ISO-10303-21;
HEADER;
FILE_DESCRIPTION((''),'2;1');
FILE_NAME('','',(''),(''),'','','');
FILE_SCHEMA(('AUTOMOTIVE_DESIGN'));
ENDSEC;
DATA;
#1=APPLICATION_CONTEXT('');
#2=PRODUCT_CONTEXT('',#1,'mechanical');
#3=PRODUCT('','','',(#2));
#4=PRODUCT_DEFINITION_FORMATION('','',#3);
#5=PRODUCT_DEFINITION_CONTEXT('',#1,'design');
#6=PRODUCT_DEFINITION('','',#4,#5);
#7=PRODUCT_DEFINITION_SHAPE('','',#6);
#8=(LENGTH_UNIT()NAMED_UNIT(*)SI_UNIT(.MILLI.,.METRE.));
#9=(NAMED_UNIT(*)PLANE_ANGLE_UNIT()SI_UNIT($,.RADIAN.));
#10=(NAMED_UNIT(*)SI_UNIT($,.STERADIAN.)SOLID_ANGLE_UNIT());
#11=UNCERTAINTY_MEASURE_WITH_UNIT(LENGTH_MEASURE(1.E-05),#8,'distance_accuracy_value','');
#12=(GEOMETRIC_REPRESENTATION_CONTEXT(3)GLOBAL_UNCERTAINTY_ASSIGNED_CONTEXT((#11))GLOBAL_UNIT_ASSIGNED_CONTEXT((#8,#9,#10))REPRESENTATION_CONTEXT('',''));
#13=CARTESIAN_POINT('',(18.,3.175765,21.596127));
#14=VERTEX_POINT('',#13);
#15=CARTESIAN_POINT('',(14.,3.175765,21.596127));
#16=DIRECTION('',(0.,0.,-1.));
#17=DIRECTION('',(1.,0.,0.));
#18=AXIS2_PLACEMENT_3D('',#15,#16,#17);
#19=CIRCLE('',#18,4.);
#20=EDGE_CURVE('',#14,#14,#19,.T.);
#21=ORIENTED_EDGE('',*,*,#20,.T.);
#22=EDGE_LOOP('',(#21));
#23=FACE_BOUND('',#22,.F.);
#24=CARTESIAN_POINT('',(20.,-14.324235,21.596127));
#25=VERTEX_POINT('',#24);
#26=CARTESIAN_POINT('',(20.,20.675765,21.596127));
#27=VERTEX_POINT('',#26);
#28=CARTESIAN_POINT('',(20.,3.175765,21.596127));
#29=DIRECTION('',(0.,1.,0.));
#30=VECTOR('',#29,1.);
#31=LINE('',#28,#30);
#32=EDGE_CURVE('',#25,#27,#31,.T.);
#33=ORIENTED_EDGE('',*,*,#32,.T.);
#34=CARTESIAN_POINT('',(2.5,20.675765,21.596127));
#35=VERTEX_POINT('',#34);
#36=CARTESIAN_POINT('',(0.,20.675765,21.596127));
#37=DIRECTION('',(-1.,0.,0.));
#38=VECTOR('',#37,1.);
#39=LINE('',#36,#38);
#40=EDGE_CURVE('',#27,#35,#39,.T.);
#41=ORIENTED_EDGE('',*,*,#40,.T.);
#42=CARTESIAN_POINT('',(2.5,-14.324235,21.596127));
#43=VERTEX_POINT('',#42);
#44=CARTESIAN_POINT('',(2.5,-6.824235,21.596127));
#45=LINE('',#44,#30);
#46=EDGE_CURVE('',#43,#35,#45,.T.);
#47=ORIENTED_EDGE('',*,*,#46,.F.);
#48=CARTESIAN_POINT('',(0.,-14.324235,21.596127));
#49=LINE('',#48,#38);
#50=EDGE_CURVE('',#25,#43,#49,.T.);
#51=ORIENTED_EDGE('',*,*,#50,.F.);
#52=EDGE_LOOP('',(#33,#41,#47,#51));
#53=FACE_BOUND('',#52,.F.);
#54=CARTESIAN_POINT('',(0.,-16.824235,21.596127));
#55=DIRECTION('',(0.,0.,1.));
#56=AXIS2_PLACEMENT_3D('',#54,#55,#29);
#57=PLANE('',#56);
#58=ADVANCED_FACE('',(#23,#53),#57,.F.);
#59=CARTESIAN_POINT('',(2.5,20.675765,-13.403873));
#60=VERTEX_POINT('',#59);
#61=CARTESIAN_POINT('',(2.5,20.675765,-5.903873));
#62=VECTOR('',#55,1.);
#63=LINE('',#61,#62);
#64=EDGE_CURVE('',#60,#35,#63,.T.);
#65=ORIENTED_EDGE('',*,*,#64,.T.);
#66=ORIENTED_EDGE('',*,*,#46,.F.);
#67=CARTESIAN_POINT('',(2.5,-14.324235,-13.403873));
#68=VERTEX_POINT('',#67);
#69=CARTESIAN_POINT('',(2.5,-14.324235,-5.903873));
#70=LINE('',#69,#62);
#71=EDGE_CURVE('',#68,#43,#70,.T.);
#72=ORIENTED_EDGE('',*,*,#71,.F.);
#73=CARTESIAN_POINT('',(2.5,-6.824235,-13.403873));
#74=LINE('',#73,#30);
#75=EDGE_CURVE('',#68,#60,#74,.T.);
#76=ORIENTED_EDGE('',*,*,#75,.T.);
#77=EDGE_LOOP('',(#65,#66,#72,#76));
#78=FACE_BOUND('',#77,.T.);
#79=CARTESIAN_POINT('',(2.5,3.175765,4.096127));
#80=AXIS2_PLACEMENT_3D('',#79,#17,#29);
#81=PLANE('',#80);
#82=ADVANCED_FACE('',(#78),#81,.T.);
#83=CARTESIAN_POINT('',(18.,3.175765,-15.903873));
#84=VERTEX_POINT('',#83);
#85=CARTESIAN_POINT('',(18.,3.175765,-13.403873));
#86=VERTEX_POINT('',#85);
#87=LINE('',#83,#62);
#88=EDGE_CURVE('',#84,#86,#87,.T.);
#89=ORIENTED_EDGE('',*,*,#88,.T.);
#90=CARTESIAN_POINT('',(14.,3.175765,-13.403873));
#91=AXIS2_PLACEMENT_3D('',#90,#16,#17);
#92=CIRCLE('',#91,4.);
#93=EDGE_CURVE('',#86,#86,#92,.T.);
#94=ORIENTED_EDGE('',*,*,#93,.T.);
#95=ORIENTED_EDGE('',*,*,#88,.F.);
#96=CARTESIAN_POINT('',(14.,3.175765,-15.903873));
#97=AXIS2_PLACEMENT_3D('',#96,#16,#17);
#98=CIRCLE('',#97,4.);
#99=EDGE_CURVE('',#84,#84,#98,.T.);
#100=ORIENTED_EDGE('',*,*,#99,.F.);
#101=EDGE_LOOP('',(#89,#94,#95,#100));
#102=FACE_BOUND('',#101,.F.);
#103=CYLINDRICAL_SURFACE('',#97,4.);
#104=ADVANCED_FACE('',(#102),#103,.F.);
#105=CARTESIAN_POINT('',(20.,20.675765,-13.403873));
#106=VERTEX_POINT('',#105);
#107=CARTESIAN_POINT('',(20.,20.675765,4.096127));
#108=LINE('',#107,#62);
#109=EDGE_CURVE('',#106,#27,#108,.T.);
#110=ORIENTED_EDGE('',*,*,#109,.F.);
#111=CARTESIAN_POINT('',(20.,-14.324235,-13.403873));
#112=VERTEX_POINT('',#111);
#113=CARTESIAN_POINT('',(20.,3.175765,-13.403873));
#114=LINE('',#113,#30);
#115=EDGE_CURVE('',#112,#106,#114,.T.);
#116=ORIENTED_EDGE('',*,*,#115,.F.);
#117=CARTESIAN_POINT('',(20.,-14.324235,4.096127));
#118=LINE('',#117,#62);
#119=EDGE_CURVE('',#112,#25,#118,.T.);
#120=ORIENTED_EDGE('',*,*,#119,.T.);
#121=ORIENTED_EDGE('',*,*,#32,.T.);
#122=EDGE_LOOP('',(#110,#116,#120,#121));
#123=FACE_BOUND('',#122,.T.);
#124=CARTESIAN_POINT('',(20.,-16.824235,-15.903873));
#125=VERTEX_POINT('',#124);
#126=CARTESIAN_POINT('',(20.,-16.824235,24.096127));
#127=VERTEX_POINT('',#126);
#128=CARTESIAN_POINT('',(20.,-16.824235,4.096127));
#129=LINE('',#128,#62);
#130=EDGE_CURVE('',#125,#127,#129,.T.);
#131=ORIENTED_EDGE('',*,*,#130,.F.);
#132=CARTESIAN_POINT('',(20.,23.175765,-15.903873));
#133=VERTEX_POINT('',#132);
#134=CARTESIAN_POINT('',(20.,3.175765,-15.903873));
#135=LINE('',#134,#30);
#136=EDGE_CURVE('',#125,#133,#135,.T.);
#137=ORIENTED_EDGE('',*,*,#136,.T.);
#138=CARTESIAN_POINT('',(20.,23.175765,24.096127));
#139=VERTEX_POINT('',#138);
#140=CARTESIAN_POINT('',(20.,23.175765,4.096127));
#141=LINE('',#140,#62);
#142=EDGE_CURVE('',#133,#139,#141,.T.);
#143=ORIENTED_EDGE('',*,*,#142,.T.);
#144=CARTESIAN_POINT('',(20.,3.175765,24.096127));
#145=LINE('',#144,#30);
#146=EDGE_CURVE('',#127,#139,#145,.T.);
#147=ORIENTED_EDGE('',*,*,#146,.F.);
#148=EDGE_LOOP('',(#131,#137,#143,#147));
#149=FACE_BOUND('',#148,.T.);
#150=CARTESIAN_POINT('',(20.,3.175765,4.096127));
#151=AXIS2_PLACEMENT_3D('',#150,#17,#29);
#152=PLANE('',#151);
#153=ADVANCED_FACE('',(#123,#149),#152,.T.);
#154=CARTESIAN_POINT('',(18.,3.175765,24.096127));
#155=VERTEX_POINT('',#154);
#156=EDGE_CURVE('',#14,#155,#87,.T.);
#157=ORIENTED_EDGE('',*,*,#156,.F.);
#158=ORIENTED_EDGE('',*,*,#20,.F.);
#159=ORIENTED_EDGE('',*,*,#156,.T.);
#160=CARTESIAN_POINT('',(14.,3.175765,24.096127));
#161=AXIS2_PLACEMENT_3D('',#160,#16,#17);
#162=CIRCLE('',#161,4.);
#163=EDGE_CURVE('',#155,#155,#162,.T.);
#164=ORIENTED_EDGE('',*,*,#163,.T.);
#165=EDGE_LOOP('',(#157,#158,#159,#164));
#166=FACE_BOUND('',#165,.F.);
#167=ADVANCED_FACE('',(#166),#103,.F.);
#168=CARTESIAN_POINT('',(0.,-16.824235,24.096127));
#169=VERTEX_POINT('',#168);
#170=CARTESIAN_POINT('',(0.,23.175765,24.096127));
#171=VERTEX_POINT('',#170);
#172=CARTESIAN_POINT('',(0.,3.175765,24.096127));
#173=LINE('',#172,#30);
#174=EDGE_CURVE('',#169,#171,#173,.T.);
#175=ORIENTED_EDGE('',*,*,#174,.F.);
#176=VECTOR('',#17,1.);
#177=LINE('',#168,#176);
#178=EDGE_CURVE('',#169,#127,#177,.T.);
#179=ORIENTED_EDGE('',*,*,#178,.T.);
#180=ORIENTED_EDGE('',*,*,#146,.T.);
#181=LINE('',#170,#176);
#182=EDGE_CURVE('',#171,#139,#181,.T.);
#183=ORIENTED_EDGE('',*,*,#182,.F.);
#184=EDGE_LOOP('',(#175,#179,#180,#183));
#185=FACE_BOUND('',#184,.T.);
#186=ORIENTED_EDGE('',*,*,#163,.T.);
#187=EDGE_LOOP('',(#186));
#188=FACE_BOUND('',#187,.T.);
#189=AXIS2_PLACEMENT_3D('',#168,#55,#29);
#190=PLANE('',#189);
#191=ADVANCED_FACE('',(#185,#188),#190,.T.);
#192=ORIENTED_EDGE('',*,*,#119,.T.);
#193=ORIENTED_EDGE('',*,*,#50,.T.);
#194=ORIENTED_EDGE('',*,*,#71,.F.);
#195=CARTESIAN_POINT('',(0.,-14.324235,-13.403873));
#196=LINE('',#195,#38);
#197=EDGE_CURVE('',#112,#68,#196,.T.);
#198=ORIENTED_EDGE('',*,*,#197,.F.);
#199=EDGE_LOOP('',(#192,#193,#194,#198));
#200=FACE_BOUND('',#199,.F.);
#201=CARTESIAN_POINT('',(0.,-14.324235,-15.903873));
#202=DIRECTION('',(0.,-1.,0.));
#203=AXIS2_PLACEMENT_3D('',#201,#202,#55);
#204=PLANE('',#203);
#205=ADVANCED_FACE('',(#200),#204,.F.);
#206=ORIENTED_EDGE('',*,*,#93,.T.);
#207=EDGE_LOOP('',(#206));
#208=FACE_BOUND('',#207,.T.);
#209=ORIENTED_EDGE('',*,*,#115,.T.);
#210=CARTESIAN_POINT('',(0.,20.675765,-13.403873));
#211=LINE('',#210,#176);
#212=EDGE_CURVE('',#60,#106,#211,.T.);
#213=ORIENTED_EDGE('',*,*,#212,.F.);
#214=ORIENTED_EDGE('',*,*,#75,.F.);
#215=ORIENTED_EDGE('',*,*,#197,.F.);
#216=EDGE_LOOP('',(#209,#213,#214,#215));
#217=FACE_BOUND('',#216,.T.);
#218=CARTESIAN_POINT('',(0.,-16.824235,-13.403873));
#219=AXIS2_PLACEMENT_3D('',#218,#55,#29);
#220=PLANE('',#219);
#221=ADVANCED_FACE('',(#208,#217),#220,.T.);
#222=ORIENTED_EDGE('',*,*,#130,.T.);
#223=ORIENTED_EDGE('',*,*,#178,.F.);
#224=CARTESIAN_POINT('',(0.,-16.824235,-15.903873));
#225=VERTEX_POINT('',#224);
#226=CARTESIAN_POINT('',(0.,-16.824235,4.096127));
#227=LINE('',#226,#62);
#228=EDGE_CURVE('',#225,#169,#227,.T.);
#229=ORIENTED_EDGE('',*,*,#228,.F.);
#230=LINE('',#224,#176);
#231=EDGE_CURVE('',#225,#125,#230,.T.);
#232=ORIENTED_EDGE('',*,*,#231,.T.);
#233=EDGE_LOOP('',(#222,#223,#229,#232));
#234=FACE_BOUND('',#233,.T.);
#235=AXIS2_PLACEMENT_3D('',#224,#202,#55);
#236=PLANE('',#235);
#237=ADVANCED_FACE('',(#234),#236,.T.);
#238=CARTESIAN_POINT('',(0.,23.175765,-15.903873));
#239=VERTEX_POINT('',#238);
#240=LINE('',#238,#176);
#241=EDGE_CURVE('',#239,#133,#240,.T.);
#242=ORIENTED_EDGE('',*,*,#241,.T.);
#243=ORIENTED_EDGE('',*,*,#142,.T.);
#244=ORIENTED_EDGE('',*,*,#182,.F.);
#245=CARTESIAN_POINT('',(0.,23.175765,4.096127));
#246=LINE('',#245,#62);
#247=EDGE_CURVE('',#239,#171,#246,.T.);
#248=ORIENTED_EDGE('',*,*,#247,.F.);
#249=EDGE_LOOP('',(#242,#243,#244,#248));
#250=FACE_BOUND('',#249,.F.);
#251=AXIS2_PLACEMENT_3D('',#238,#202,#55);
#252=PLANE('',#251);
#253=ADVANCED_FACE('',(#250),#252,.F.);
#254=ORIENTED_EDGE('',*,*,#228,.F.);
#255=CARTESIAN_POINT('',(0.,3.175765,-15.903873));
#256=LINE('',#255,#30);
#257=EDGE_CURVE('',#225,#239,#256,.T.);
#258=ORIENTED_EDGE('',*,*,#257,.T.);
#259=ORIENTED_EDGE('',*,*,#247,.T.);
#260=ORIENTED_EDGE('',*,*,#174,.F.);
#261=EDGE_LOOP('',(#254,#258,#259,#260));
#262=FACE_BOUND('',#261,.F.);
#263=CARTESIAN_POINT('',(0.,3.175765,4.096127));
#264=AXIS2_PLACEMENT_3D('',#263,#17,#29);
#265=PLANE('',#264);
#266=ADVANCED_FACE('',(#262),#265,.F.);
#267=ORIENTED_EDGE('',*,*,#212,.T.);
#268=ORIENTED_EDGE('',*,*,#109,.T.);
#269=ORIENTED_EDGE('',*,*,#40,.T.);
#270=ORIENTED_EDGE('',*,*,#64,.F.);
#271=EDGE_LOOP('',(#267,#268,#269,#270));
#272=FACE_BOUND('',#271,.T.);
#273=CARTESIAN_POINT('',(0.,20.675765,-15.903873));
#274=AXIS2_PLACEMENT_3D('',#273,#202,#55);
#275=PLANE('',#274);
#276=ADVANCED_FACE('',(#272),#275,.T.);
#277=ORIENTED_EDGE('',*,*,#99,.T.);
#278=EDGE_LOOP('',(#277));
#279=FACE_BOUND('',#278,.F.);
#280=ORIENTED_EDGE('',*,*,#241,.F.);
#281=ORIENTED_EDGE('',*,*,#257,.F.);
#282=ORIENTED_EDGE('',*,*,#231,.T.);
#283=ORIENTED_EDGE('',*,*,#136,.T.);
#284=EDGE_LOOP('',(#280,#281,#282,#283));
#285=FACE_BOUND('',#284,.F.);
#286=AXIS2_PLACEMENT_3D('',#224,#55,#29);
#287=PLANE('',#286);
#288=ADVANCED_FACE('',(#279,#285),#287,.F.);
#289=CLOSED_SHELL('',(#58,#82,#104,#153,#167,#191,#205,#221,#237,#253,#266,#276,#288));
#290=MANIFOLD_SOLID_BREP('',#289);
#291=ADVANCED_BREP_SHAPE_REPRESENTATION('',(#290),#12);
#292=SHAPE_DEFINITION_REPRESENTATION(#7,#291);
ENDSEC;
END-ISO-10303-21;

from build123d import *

# Parameters (mm, degrees)
F0_W     = 40
F0_H     = 40
F1_DEPTH = 20
F2_T     = -2.5
F3_R     = 4
F4_DEPTH = 40.001


with BuildPart() as f1:
    # F0 (on Right) → F1 (new body)
    with BuildSketch(Plane.YZ):
        with Locations((3.175765, 4.096127)):
            Rectangle(F0_W, F0_H)
    extrude(amount=F1_DEPTH)

    # F2
    f2_openings = [f1.faces().sort_by_distance(p)[0] for p in [
        (20, 3.175765, 4.096127),
    ]]
    offset(amount=F2_T, openings=f2_openings)

    # F3 (on face) → F4 (cut, through all)
    with BuildSketch(Plane(origin=(0, 0, -15.903873), x_dir=(1, 0, 0), z_dir=(0, 0, -1))):
        with Locations((14, -3.175765)):
            Circle(F3_R)
    extrude(amount=-F4_DEPTH, mode=Mode.SUBTRACT)


solid = f1.part
